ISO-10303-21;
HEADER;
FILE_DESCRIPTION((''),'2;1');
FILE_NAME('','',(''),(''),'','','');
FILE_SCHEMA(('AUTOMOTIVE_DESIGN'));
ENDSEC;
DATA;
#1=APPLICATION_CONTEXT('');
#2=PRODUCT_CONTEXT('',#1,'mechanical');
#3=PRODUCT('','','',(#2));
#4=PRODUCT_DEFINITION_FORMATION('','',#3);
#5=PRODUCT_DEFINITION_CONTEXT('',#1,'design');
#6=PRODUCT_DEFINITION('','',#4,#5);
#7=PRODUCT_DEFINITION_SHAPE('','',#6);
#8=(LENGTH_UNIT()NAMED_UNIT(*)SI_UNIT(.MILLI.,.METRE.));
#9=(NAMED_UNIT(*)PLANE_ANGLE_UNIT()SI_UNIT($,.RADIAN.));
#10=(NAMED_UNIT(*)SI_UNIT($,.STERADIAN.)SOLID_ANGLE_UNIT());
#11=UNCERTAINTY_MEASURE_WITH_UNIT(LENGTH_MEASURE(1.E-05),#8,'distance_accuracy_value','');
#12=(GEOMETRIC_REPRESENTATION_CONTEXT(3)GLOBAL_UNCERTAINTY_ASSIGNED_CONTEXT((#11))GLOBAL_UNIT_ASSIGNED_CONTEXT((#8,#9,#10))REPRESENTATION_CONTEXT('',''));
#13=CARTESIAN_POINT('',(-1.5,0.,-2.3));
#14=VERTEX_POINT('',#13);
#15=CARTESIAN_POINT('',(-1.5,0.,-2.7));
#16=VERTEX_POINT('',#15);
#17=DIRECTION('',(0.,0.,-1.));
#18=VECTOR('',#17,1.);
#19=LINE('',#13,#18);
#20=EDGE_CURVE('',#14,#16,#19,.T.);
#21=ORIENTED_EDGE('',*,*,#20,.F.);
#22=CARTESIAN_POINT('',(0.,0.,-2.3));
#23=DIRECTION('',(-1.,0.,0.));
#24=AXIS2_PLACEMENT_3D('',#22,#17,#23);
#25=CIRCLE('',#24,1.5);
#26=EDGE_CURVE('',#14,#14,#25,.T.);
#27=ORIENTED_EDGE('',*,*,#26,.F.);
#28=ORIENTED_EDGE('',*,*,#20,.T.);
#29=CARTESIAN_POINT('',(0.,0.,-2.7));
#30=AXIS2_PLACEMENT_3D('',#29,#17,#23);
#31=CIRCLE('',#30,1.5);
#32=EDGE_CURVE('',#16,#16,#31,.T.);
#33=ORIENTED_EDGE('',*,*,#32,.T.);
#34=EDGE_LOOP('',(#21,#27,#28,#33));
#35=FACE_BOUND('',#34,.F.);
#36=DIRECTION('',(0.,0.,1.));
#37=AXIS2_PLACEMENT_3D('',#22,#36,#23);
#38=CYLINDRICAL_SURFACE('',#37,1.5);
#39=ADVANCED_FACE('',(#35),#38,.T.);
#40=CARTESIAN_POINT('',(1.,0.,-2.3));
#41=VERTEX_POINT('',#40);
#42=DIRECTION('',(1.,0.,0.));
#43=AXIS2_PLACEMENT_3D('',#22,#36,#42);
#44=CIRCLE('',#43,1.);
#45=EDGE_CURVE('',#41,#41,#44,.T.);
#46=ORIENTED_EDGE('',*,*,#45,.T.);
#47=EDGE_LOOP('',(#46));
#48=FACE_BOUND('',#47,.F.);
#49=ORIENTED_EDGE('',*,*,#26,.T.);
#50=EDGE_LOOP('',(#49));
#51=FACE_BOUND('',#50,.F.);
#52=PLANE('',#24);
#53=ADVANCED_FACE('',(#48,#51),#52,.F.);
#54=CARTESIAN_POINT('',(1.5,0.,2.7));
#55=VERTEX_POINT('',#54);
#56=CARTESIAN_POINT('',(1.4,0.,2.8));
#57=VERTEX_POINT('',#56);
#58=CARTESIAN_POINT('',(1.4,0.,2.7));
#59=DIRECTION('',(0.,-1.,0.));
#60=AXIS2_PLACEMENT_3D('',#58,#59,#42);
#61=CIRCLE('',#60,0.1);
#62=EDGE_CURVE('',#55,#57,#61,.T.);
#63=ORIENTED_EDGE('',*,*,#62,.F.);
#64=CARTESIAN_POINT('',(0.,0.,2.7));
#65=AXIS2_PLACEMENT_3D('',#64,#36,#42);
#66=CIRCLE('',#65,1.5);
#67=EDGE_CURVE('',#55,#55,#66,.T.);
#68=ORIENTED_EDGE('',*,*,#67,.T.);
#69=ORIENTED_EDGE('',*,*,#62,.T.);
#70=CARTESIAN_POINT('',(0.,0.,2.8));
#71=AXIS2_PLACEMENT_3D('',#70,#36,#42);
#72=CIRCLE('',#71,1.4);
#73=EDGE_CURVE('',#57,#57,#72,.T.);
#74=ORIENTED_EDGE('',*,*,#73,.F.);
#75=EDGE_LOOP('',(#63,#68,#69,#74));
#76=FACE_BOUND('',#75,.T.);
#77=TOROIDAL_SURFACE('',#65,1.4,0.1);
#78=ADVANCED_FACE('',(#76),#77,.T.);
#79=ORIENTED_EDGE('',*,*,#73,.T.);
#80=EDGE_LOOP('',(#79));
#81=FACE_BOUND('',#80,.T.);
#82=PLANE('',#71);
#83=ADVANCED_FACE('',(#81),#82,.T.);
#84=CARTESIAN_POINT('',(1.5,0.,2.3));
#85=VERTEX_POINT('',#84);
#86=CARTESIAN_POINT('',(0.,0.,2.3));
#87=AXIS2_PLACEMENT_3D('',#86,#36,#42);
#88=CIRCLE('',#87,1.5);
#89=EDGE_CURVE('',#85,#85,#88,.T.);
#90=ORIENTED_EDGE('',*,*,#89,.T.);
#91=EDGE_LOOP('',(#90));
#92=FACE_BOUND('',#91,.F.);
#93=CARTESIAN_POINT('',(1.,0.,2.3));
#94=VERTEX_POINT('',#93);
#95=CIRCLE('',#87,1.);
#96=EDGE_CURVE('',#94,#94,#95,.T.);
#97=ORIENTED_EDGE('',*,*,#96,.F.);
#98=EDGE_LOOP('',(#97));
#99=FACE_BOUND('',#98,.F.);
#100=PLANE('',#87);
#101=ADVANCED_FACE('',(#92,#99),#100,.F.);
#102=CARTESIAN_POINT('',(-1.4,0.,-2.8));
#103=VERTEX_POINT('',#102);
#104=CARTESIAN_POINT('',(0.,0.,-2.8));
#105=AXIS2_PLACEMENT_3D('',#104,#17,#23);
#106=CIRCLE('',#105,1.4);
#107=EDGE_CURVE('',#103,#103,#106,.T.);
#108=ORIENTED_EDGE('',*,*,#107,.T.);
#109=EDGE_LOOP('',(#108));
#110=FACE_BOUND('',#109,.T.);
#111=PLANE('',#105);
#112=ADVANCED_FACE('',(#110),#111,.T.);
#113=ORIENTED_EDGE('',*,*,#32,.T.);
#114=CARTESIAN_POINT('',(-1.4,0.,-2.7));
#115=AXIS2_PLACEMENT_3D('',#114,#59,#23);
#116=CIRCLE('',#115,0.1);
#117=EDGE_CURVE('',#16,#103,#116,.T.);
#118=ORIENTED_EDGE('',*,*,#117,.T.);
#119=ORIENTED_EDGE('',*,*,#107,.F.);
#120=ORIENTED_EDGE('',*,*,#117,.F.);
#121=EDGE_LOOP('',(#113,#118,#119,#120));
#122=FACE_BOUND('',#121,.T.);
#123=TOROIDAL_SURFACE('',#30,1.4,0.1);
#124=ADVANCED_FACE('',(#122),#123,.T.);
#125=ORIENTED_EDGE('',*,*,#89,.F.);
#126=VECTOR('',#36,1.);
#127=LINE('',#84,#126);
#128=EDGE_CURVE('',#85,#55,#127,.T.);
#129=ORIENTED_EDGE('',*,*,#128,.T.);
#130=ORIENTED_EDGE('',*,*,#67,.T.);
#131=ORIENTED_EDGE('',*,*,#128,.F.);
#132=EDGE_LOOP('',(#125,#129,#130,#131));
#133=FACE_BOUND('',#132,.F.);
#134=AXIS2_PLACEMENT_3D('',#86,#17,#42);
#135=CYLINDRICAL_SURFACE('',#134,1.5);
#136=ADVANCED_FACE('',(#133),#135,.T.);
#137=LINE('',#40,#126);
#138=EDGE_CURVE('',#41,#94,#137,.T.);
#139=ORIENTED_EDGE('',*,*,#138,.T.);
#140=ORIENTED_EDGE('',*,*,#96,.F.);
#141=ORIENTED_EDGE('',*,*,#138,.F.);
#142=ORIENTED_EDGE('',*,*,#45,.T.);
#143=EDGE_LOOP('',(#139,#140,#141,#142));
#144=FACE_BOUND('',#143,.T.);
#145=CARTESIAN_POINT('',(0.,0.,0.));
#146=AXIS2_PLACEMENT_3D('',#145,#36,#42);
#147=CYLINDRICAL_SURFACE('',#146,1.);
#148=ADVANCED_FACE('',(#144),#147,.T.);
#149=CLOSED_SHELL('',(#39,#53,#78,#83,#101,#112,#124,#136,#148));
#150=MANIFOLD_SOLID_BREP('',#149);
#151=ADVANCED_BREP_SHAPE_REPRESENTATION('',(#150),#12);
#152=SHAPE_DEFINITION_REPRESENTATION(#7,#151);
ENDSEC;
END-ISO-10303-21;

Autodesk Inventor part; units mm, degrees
ref_plane "YZ Plane" through (0, 0, 0) normal (1, 0, 0) x (0, 1, 0)
sketch "Sketch1" plane through (0, 0, 0) normal (0, 0, 1) x (1, 0, 0)
  circle A0 centre (0, 0) radius 1
  dimension "d0" = 2
extrude "Extrusion1" add sketch "Sketch1" along normal mid plane 4.6
ref_plane "Work Plane1" through (0, 0, 2.3) normal (0, 0, 1) x (1, 0, 0)
ref_plane "Work Plane2" through (0, 0, -2.3) normal (0, 0, -1) x (-1, 0, 0)
sketch "Sketch2" plane through (0, 0, 2.3) normal (0, 0, 1) x (1, 0, 0)
  circle A0 centre (0, 0) radius 1.5
  dimension "d5" = 3
extrude "Extrusion2" add sketch "Sketch2" along normal blind 0.5
sketch "Sketch3" plane through (0, 0, -2.3) normal (0, 0, -1) x (-1, 0, 0)
  circle A0 centre (0, 0) radius 1 projected
  circle A1 centre (0, 0) radius 1.5
  dimension "d8" = 3
extrude "Extrusion3" add sketch "Sketch3" along normal blind 0.5 contours A0 | A1
fillet "Fillet1" radius 0.1 2 edges at (-1.5, 0, 2.8) (1.5, 0, -2.8)
properties part number "New_ThinAxle1"
